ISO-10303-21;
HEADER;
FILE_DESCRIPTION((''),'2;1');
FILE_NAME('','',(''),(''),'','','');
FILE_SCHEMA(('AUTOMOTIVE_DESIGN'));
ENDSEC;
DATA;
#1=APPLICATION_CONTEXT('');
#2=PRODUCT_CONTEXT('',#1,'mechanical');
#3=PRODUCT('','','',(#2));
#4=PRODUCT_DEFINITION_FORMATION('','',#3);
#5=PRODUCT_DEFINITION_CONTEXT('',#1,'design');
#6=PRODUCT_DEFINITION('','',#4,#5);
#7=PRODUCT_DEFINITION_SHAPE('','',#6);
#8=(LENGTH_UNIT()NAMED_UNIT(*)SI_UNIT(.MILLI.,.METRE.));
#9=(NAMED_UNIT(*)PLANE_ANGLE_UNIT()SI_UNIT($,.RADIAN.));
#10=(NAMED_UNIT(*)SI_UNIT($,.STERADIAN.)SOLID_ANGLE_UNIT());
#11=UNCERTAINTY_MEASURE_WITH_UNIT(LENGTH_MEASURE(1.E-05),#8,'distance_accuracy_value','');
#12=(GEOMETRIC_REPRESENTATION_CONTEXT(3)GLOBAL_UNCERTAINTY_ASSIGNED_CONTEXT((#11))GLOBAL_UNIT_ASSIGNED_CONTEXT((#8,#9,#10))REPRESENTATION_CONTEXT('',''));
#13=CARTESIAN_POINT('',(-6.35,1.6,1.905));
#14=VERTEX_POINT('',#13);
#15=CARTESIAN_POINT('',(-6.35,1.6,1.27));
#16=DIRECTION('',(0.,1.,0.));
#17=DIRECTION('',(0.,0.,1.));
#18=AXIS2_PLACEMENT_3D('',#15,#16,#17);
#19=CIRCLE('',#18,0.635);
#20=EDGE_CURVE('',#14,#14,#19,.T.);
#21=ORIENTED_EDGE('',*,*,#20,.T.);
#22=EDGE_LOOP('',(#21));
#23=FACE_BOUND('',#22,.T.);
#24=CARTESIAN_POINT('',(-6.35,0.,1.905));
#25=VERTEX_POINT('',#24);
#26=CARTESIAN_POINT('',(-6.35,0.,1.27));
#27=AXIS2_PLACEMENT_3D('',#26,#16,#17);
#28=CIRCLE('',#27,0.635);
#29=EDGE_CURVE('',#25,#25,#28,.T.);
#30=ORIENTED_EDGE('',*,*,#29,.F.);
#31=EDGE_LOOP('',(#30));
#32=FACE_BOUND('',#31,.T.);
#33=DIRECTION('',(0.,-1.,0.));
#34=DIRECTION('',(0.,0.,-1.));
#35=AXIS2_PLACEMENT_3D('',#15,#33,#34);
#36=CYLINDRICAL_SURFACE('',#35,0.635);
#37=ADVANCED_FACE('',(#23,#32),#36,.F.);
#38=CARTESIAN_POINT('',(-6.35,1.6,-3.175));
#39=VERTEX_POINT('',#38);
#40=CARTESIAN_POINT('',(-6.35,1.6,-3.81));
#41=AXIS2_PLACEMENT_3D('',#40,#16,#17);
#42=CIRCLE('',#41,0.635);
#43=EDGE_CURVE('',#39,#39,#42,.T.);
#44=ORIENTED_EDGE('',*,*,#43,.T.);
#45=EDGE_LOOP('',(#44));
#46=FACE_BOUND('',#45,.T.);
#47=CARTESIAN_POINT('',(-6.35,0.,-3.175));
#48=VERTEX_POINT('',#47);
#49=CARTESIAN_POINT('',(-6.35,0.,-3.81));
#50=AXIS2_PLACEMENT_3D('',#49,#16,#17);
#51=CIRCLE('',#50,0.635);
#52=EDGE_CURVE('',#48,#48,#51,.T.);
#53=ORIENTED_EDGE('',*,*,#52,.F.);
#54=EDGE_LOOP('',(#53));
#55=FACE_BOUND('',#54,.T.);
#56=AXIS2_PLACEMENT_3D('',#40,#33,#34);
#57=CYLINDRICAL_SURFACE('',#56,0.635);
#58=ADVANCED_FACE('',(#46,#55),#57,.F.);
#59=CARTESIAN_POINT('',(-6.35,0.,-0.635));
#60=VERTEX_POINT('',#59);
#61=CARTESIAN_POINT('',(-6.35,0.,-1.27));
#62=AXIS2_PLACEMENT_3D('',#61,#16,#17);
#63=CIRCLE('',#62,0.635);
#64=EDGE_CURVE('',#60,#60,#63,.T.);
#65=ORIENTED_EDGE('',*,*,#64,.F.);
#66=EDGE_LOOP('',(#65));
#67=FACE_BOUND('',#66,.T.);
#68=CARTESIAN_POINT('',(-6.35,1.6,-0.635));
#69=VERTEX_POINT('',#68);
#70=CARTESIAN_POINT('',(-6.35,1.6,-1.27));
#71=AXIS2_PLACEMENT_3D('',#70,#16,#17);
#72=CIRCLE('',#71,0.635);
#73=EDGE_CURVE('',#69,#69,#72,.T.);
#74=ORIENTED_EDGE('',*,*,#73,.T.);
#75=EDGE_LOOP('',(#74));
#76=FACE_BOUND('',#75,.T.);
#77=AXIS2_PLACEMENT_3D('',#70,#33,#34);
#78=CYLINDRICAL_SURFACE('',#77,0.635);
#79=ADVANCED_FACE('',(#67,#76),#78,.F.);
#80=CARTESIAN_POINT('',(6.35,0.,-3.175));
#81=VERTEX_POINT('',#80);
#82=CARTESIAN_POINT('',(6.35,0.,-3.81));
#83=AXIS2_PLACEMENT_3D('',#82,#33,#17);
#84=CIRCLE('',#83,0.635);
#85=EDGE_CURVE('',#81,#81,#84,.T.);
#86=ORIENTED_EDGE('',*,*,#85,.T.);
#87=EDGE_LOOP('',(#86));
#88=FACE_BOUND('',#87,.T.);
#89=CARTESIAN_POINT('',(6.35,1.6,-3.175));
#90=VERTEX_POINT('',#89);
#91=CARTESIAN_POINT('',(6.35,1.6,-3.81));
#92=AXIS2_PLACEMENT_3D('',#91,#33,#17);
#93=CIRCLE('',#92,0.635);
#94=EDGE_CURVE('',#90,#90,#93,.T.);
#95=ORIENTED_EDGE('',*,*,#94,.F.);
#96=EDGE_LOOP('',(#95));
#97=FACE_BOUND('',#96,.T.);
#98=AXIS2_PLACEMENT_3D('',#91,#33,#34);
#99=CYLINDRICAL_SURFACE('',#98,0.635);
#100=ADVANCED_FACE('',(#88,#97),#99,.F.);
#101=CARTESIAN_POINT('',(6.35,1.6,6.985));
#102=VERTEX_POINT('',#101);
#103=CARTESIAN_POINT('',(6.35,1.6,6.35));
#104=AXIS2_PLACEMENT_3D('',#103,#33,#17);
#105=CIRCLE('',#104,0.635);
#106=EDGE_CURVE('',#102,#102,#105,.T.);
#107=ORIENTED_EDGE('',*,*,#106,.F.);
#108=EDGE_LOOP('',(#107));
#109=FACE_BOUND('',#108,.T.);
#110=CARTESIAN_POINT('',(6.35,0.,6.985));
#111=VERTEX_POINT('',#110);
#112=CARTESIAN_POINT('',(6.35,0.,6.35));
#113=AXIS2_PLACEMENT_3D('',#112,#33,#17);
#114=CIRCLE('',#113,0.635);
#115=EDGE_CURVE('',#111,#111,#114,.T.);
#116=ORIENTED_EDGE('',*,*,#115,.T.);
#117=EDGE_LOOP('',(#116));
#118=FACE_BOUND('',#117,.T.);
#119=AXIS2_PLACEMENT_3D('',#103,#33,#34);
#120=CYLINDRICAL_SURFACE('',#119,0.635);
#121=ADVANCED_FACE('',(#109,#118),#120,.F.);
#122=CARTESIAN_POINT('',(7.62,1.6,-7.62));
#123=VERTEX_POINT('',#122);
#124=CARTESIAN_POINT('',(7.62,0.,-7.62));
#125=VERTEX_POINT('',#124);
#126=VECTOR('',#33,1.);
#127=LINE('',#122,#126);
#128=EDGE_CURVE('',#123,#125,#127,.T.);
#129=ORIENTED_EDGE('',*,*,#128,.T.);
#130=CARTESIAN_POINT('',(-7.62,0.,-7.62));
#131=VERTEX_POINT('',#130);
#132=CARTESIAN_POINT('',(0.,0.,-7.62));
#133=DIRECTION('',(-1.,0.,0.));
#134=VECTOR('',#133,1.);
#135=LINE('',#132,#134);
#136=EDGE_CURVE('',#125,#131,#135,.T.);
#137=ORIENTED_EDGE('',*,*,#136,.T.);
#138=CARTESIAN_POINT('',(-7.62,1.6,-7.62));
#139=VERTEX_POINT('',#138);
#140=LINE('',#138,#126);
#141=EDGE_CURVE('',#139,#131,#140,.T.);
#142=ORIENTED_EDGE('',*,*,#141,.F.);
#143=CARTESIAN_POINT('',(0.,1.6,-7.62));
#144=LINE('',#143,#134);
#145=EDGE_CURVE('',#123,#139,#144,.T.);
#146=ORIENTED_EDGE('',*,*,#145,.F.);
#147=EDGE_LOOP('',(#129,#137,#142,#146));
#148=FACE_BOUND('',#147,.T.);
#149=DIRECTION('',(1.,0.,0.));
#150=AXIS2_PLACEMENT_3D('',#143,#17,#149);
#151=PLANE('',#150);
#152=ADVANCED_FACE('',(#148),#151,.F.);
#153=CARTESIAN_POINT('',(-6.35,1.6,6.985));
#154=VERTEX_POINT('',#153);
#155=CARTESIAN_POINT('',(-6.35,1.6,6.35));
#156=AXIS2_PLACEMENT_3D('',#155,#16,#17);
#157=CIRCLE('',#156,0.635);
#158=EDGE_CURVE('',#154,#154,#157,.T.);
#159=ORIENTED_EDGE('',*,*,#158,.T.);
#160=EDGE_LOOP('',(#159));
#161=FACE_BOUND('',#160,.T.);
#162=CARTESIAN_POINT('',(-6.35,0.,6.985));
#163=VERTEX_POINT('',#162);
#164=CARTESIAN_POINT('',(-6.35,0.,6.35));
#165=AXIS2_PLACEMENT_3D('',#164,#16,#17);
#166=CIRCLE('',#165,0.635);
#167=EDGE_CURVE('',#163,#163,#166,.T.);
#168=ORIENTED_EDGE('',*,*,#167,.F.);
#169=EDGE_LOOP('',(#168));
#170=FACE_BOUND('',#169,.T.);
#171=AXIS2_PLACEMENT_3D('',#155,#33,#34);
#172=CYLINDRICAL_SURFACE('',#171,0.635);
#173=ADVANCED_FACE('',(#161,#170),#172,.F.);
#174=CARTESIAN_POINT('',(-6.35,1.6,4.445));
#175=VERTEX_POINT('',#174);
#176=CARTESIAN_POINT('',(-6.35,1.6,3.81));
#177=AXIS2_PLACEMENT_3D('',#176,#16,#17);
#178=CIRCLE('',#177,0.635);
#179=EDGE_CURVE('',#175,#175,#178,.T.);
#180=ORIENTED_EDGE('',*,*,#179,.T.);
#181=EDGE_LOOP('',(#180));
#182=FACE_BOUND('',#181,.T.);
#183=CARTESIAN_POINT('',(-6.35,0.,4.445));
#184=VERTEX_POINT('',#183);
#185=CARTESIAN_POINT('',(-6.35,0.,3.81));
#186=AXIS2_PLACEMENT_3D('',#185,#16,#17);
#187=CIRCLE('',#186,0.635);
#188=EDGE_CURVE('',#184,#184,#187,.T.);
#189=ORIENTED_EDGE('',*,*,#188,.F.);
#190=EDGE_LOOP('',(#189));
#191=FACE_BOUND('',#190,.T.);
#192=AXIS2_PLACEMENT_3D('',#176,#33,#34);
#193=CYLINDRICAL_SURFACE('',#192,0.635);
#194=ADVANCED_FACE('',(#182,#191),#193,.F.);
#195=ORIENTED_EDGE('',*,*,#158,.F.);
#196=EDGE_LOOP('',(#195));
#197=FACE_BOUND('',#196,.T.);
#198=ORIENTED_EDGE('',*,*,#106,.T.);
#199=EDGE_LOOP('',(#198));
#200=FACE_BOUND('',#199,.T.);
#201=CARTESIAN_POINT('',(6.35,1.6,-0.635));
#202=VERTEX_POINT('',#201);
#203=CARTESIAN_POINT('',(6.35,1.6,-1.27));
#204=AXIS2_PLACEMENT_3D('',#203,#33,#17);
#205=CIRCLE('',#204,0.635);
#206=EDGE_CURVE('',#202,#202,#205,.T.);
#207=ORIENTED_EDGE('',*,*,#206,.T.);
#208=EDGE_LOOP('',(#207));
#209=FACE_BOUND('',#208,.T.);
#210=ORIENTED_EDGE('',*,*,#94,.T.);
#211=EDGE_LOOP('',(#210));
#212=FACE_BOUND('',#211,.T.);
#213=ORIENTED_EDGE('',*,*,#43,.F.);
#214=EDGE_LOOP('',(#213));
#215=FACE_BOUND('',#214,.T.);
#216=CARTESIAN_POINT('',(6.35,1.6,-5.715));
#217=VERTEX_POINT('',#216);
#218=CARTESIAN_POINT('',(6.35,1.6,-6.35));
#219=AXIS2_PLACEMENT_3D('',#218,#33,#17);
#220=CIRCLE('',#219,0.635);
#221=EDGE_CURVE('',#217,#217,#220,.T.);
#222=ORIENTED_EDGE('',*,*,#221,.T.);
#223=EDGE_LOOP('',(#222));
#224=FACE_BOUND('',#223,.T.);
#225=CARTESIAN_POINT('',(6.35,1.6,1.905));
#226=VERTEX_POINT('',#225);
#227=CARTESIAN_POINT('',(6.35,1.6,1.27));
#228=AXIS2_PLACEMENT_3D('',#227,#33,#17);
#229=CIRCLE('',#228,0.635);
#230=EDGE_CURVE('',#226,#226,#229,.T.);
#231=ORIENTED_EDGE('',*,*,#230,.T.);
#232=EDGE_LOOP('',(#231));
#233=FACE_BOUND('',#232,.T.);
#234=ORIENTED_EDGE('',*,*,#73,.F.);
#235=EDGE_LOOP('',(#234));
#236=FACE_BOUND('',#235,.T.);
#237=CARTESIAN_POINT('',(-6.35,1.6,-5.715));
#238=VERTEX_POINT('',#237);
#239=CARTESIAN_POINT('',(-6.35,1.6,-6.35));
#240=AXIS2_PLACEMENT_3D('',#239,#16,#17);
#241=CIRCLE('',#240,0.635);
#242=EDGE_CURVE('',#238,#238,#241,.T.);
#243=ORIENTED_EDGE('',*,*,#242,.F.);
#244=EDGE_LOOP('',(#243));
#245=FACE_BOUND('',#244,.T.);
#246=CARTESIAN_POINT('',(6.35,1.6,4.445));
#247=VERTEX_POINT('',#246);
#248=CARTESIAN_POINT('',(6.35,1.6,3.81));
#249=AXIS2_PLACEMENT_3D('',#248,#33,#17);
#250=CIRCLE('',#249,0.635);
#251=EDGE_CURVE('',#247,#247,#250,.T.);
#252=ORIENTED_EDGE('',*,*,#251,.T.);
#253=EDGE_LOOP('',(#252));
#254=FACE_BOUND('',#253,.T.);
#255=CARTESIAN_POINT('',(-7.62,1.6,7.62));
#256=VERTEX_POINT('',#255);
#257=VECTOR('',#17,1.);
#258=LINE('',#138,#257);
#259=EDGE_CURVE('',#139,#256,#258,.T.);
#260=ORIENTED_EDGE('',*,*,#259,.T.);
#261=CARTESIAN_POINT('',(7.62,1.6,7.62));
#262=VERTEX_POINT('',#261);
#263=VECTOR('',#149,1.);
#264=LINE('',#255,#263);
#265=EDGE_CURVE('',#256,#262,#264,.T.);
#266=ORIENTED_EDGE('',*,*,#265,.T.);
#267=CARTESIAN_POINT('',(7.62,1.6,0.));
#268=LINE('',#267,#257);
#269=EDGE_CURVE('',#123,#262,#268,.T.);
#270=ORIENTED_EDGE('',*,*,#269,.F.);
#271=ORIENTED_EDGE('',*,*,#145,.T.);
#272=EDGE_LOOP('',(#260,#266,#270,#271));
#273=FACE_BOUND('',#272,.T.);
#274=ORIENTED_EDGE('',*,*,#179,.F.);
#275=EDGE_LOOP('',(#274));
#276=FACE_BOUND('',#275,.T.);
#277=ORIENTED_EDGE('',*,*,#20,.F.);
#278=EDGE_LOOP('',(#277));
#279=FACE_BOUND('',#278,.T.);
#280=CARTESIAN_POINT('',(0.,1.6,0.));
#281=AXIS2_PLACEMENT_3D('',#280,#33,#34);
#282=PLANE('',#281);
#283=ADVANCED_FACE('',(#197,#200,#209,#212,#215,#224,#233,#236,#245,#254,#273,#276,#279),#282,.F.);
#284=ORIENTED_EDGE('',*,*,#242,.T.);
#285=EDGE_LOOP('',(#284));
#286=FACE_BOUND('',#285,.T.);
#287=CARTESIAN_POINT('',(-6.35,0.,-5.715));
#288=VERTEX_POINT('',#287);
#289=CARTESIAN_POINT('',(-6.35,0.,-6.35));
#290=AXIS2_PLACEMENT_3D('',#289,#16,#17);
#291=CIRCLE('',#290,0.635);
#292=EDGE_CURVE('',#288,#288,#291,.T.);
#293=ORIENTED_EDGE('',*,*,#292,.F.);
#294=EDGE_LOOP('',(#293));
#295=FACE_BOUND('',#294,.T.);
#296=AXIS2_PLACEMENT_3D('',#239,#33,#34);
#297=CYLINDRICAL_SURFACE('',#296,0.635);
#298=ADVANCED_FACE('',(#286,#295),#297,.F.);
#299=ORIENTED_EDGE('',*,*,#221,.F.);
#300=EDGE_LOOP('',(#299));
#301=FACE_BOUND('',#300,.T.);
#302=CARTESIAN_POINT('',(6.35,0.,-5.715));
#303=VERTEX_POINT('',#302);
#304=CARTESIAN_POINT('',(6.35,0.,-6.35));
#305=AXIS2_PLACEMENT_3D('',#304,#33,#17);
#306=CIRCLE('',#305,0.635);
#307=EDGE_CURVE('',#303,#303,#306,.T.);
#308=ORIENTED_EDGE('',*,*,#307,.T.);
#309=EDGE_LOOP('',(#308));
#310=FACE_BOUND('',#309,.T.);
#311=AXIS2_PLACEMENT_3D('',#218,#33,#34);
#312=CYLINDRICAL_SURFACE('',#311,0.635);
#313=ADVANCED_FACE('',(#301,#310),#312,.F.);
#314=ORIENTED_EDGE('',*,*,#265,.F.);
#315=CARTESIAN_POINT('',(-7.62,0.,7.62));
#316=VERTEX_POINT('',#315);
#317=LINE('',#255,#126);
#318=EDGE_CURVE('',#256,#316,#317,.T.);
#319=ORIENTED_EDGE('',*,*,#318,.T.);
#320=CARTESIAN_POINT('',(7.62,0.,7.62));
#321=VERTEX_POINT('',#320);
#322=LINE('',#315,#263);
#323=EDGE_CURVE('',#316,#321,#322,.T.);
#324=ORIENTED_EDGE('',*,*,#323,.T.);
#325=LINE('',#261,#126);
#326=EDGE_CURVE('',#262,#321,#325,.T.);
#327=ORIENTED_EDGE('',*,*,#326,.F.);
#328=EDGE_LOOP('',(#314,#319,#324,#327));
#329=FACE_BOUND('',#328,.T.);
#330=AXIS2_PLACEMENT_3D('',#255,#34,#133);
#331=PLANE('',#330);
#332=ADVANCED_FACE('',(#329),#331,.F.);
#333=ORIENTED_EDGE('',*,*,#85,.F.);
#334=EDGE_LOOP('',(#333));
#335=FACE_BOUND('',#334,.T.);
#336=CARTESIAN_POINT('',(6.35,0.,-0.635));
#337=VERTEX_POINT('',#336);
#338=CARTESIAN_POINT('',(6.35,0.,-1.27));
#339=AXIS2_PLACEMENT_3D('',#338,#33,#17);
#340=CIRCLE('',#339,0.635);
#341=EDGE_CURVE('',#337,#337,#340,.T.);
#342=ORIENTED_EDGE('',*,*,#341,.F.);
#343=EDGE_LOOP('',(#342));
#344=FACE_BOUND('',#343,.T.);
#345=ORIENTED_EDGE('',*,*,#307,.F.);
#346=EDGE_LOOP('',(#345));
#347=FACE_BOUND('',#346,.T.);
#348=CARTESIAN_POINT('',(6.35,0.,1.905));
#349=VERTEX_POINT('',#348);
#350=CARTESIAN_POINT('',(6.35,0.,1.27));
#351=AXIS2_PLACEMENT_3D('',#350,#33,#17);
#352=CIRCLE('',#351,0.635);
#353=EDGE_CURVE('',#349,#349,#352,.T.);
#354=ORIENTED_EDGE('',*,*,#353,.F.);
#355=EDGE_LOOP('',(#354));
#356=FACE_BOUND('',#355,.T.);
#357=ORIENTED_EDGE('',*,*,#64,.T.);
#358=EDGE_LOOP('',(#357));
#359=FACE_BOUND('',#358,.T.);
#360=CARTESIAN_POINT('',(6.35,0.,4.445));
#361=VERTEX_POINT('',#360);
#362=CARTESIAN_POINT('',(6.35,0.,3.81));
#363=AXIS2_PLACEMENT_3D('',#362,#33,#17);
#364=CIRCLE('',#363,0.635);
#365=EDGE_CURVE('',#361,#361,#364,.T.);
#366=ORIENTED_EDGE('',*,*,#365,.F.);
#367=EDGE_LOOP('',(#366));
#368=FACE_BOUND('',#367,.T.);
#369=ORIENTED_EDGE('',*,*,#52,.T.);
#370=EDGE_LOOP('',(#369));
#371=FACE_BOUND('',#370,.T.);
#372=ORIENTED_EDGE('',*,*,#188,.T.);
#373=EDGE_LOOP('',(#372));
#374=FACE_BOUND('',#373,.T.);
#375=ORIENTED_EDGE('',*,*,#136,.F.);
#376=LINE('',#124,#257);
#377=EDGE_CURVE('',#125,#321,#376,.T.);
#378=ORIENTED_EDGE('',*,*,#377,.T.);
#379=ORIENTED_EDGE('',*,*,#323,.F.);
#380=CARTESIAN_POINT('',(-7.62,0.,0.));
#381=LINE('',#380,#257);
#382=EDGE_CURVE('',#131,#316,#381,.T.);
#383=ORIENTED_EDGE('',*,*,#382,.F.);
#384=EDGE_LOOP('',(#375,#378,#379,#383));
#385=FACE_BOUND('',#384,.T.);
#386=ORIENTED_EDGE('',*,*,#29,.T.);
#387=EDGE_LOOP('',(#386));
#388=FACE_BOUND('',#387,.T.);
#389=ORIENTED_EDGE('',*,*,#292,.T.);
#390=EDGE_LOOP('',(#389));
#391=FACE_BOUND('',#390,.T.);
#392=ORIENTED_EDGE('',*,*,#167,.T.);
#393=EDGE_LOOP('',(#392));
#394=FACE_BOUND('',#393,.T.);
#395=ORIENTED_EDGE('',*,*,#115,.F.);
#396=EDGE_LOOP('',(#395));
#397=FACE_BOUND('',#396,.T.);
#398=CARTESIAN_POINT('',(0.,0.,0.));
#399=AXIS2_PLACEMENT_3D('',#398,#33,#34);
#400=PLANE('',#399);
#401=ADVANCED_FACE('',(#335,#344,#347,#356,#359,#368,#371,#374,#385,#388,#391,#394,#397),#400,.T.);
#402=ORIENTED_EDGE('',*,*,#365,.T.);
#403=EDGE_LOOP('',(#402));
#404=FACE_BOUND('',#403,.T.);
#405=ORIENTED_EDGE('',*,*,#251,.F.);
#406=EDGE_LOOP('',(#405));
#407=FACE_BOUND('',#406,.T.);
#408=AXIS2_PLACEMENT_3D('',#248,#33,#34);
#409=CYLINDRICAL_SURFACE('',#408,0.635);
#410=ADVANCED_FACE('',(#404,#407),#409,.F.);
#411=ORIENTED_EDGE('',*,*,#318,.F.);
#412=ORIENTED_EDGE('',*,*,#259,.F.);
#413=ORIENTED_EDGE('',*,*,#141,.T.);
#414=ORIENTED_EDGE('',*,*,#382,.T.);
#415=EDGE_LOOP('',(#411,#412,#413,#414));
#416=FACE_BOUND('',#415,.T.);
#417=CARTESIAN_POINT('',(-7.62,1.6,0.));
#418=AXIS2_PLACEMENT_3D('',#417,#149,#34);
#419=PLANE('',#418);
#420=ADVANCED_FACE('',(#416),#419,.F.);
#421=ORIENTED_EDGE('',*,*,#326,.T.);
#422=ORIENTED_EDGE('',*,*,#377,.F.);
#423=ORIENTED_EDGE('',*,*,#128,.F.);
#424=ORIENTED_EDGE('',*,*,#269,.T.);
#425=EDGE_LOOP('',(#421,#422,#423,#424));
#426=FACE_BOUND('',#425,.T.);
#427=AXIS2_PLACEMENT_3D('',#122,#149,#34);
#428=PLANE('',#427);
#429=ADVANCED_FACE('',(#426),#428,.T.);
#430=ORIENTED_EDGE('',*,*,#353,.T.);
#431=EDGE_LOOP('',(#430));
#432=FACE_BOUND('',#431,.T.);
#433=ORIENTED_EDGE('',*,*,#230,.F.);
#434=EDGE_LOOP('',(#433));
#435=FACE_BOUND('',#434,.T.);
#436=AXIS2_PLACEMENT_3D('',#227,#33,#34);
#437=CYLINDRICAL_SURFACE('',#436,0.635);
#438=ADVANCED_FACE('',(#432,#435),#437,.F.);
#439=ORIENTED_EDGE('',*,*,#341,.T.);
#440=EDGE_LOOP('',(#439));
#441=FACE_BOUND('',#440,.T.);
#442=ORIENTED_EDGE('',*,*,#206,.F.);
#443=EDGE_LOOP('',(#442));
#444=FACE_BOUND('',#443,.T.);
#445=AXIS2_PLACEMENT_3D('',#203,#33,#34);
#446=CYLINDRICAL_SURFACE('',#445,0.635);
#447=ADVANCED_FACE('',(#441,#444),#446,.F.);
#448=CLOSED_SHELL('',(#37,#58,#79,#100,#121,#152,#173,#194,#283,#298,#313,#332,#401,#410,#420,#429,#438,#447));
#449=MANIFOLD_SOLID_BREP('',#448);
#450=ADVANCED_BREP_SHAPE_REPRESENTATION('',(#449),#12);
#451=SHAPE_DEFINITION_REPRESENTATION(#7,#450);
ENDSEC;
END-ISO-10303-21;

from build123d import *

# Parameters (mm, degrees)
SKETCH1_R           = 0.635
BOSS_EXTRUDE1_DEPTH = 1.6


with BuildPart() as part:
    # Sketch1 → Boss-Extrude1 (new body)
    with BuildSketch(Plane(origin=(0, 0, 0), x_dir=(1, 0, 0), z_dir=(0, 1, 0))):
        Polygon((0, 7.62), (0, -7.62), (-7.62, -7.62), (-7.62, 0), (-7.62, 7.62), align=None)
        with Locations((-6.35, 6.35)):
            Circle(SKETCH1_R, mode=Mode.SUBTRACT)
        with Locations((-6.35, 3.81)):
            Circle(SKETCH1_R, mode=Mode.SUBTRACT)
        with Locations((-6.35, 1.27)):
            Circle(SKETCH1_R, mode=Mode.SUBTRACT)
        with Locations((-6.35, -1.27)):
            Circle(SKETCH1_R, mode=Mode.SUBTRACT)
        with Locations((-6.35, -3.81)):
            Circle(SKETCH1_R, mode=Mode.SUBTRACT)
        with Locations((-6.35, -6.35)):
            Circle(SKETCH1_R, mode=Mode.SUBTRACT)
    boss_extrude1 = extrude(amount=BOSS_EXTRUDE1_DEPTH)

    # Mirror1: Boss-Extrude1 across plane
    add(boss_extrude1.mirror(Plane(origin=(0, 1.6, -7.62), x_dir=(0, 0, 1), z_dir=(-1, 0, 0))))


solid = part.part
